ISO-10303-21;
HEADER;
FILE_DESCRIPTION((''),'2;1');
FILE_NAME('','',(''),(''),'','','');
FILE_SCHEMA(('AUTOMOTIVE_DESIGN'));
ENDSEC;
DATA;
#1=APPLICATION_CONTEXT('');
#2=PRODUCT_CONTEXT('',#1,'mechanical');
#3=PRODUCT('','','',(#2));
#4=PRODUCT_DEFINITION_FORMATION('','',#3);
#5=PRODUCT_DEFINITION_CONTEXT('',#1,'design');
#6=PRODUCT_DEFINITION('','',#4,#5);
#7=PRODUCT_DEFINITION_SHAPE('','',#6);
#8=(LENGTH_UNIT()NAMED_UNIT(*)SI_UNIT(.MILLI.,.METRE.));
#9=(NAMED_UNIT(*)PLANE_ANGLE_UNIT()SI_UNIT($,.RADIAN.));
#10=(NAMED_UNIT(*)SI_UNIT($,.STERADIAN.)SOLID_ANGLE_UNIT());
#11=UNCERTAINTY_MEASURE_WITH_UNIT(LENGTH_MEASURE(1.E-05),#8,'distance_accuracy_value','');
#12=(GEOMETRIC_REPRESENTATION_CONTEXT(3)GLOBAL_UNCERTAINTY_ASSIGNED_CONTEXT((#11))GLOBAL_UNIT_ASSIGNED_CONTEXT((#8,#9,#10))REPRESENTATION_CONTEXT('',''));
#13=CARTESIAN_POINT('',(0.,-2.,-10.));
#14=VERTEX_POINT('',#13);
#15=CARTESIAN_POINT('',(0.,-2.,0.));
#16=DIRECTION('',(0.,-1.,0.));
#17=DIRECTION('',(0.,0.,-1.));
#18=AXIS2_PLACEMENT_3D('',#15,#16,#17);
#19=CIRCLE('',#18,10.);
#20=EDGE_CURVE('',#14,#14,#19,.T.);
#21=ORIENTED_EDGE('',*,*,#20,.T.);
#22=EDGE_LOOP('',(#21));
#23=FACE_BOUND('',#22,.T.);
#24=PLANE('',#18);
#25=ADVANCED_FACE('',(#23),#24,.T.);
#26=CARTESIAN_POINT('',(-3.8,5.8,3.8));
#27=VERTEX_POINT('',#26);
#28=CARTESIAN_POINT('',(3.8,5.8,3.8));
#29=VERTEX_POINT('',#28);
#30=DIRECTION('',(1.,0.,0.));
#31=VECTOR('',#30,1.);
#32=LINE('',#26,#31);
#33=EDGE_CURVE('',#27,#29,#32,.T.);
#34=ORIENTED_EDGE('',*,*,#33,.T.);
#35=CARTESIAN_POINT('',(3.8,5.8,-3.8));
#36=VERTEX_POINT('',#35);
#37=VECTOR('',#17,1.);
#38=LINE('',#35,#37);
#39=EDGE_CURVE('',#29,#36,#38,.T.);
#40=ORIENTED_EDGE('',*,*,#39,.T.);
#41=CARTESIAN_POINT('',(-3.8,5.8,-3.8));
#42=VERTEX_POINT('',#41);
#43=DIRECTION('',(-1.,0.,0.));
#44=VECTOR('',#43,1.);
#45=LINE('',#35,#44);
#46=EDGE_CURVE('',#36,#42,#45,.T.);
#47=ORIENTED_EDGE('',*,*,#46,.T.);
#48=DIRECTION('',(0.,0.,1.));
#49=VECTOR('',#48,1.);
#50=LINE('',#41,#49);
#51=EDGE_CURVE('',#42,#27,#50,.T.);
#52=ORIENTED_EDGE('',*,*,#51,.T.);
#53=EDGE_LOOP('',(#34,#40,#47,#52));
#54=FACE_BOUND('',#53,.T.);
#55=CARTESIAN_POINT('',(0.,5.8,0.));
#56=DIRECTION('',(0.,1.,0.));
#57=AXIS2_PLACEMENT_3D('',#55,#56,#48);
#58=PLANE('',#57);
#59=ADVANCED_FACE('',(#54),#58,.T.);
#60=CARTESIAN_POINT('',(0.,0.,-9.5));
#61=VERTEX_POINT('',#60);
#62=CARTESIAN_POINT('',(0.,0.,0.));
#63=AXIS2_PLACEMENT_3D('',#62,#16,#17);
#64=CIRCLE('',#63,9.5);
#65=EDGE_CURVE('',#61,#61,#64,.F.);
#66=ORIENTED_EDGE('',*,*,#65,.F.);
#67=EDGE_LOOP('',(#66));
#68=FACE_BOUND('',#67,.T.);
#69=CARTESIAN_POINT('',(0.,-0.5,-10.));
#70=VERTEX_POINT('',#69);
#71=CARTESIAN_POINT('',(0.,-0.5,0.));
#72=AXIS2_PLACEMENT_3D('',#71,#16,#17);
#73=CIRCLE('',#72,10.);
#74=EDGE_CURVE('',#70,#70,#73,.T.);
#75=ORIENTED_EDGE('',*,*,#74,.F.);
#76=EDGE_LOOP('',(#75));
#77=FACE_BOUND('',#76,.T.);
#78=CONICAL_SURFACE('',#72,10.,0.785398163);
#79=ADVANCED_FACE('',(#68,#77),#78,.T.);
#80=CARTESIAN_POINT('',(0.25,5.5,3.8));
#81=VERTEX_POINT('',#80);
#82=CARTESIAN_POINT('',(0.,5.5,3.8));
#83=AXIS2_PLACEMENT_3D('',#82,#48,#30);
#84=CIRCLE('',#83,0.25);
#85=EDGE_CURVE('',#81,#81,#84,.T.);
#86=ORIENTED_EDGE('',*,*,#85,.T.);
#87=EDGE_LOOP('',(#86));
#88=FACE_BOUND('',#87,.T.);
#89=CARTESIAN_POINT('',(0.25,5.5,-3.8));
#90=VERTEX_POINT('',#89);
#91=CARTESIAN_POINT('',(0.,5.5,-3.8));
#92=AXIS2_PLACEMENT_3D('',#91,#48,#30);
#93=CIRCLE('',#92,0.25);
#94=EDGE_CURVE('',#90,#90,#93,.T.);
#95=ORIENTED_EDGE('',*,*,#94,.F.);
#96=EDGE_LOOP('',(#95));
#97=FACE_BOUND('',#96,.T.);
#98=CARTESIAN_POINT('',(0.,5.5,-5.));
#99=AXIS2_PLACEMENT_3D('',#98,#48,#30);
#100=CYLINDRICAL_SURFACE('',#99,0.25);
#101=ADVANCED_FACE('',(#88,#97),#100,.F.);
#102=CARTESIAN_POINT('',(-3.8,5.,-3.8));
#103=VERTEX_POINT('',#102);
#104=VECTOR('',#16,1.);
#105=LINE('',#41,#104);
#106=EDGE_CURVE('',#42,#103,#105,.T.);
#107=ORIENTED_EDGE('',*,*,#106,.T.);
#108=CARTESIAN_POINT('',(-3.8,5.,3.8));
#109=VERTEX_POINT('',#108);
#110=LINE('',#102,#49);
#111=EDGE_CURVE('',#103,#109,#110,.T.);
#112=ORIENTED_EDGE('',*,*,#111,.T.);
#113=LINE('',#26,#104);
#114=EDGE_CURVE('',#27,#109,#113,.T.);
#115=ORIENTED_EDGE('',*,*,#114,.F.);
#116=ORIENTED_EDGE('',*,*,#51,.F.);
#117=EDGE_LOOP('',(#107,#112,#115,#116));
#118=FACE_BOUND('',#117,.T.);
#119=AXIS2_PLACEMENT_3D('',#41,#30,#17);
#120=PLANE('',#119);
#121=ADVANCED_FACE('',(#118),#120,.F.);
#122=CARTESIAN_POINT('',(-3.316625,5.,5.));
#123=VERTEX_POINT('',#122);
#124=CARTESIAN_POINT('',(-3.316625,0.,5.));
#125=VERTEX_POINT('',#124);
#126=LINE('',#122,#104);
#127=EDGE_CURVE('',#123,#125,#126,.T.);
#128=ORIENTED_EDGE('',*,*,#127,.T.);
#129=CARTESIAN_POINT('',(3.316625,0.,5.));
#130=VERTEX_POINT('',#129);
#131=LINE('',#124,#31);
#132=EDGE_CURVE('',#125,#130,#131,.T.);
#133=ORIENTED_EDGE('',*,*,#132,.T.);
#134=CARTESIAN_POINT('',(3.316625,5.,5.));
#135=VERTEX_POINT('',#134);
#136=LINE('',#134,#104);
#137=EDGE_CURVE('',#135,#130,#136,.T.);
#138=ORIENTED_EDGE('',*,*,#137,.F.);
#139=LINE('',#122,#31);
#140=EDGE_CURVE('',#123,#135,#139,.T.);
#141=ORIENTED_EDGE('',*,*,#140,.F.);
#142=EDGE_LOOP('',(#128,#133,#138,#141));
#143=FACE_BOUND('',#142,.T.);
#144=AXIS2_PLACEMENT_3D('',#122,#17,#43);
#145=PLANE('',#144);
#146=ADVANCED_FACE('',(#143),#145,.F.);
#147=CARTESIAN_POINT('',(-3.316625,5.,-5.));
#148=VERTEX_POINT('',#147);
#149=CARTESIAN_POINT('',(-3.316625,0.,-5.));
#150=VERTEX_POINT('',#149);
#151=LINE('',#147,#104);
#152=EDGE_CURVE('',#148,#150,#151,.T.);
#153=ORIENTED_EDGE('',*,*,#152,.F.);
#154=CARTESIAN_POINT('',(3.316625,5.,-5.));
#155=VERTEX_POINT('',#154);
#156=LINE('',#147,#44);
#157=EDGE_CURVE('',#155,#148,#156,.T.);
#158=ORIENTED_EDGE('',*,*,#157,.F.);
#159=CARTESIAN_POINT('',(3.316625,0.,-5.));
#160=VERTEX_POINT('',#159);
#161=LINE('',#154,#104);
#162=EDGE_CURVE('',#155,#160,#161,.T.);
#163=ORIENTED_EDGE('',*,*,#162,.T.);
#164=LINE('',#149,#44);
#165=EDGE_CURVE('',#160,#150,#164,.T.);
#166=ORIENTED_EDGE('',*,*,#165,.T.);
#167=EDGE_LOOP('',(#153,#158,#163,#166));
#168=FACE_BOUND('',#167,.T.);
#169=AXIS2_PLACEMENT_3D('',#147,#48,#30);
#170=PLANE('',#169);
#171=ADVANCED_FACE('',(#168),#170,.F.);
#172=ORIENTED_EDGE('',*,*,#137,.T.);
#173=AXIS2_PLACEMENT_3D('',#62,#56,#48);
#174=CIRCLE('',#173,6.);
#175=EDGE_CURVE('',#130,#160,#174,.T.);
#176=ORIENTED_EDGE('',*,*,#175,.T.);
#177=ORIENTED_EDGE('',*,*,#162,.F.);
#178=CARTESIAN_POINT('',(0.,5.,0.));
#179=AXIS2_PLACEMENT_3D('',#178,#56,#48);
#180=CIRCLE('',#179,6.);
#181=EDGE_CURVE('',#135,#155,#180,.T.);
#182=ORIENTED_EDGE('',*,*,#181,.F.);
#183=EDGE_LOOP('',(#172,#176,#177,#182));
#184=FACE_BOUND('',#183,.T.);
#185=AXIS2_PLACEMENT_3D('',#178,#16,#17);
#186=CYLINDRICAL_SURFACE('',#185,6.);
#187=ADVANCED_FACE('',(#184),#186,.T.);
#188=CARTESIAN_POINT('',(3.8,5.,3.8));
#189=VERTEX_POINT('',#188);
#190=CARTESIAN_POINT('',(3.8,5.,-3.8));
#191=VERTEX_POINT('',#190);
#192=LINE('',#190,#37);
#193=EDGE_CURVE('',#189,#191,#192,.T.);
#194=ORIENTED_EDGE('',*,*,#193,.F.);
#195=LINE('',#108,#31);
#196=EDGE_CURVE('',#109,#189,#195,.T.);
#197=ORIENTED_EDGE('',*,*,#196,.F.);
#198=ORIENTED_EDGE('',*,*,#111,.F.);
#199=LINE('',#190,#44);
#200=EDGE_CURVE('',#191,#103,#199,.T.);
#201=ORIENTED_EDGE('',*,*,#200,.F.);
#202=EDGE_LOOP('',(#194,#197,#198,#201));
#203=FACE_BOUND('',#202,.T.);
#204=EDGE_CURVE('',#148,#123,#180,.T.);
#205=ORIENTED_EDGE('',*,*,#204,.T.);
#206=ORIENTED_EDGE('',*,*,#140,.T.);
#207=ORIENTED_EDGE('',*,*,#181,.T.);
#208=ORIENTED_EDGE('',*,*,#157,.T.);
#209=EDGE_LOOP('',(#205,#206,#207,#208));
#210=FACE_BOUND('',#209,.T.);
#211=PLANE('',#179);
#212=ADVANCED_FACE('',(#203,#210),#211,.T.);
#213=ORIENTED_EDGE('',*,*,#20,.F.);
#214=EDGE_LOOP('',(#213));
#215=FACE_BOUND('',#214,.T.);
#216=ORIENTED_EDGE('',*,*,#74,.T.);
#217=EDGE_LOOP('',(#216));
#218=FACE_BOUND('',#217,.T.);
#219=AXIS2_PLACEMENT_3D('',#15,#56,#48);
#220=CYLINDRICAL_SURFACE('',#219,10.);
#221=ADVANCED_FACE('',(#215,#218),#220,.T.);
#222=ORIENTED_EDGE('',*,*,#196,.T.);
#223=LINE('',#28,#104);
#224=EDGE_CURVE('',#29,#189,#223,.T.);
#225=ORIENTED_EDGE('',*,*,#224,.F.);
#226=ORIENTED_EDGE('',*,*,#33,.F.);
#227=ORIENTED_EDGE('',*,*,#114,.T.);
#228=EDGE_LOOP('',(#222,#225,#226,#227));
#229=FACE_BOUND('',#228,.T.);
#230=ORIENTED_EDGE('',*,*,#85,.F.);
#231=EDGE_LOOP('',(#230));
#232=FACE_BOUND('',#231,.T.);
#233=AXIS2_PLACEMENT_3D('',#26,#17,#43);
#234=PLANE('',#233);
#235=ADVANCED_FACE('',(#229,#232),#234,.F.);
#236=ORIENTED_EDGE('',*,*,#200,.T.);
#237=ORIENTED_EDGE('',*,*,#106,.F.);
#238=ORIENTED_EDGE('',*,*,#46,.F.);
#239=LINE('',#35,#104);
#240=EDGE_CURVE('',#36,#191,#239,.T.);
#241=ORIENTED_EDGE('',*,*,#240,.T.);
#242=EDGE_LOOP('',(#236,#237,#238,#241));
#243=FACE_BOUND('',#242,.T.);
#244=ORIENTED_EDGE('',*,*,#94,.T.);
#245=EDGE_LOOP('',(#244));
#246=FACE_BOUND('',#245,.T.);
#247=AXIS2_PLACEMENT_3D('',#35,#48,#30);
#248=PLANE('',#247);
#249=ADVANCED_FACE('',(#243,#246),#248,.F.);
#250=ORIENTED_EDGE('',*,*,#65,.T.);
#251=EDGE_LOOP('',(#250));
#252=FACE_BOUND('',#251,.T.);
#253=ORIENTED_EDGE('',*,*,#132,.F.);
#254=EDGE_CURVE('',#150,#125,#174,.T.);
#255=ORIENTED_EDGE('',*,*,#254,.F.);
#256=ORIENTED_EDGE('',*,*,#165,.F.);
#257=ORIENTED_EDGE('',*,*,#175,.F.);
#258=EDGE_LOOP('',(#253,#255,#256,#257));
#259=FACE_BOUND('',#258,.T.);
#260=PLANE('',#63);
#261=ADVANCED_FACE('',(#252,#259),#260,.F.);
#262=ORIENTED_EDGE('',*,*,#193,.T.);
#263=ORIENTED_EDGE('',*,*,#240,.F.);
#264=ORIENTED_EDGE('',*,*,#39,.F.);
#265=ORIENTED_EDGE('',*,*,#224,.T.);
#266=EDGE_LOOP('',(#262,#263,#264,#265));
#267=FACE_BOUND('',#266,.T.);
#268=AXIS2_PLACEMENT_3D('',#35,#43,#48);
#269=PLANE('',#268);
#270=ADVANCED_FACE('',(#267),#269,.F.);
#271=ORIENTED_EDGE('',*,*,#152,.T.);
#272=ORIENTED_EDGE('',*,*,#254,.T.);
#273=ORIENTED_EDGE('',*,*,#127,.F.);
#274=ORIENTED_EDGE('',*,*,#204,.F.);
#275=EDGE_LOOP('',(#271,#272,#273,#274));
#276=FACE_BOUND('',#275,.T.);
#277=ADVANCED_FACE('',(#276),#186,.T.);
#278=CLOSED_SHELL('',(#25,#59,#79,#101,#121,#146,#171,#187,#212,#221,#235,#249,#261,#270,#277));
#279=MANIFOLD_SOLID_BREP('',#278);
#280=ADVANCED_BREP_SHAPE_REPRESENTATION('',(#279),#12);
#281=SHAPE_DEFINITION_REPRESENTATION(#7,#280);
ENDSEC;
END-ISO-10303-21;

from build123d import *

# Parameters (mm, degrees)
ESTRUSIONE_ESTRUSIONE1_DEPTH = 5
SCHIZZO2_W                   = 7.6
SCHIZZO2_H                   = 7.6
ESTRUSIONE_ESTRUSIONE2_DEPTH = 0.8
SCHIZZO3_R                   = 0.25
TAGLIO_ESTRUSIONE1_DEPTH     = 13.127654349
SCHIZZO4_R                   = 10
ESTRUSIONE_ESTRUSIONE3_DEPTH = 2
SMUSSO1_SIZE                 = 0.5


with BuildPart() as part:
    # Schizzo1 → Estrusione-Estrusione1 (new body)
    with BuildSketch(Plane(origin=(0, 0, 0), x_dir=(1, 0, 0), z_dir=(0, 1, 0))):
        with BuildLine():
            Line((-3.31662479, 5), (3.31662479, 5))
            ThreePointArc((3.31662479, 5), (6, 0), (3.31662479, -5))
            Line((3.31662479, -5), (-3.31662479, -5))
            ThreePointArc((-3.31662479, -5), (-6, 0), (-3.31662479, 5))
        make_face()
    extrude(amount=ESTRUSIONE_ESTRUSIONE1_DEPTH)

    # Schizzo2 → Estrusione-Estrusione2 (add)
    with BuildSketch(Plane(origin=(0, 5, 0), x_dir=(1, 0, 0), z_dir=(0, 1, 0))):
        Rectangle(SCHIZZO2_W, SCHIZZO2_H)
    extrude(amount=ESTRUSIONE_ESTRUSIONE2_DEPTH)

    # Schizzo3 → Taglio-Estrusione1 (cut, through all)
    with BuildSketch(Plane.XY.offset(3.8)):
        with Locations((0, 5.5)):
            Circle(SCHIZZO3_R)
    extrude(amount=-TAGLIO_ESTRUSIONE1_DEPTH, mode=Mode.SUBTRACT)

    # Schizzo4 → Estrusione-Estrusione3 (add)
    with BuildSketch(Plane.XZ):
        with Locations(Location((0, 0, 0), (0, 0, 270))):
            Circle(SCHIZZO4_R)
    extrude(amount=ESTRUSIONE_ESTRUSIONE3_DEPTH)

    # Smusso1
    smusso1_edges = [part.edges().sort_by_distance(p)[0] for p in [
        (0, 0, 10),
    ]]
    chamfer(smusso1_edges, length=SMUSSO1_SIZE)


solid = part.part
